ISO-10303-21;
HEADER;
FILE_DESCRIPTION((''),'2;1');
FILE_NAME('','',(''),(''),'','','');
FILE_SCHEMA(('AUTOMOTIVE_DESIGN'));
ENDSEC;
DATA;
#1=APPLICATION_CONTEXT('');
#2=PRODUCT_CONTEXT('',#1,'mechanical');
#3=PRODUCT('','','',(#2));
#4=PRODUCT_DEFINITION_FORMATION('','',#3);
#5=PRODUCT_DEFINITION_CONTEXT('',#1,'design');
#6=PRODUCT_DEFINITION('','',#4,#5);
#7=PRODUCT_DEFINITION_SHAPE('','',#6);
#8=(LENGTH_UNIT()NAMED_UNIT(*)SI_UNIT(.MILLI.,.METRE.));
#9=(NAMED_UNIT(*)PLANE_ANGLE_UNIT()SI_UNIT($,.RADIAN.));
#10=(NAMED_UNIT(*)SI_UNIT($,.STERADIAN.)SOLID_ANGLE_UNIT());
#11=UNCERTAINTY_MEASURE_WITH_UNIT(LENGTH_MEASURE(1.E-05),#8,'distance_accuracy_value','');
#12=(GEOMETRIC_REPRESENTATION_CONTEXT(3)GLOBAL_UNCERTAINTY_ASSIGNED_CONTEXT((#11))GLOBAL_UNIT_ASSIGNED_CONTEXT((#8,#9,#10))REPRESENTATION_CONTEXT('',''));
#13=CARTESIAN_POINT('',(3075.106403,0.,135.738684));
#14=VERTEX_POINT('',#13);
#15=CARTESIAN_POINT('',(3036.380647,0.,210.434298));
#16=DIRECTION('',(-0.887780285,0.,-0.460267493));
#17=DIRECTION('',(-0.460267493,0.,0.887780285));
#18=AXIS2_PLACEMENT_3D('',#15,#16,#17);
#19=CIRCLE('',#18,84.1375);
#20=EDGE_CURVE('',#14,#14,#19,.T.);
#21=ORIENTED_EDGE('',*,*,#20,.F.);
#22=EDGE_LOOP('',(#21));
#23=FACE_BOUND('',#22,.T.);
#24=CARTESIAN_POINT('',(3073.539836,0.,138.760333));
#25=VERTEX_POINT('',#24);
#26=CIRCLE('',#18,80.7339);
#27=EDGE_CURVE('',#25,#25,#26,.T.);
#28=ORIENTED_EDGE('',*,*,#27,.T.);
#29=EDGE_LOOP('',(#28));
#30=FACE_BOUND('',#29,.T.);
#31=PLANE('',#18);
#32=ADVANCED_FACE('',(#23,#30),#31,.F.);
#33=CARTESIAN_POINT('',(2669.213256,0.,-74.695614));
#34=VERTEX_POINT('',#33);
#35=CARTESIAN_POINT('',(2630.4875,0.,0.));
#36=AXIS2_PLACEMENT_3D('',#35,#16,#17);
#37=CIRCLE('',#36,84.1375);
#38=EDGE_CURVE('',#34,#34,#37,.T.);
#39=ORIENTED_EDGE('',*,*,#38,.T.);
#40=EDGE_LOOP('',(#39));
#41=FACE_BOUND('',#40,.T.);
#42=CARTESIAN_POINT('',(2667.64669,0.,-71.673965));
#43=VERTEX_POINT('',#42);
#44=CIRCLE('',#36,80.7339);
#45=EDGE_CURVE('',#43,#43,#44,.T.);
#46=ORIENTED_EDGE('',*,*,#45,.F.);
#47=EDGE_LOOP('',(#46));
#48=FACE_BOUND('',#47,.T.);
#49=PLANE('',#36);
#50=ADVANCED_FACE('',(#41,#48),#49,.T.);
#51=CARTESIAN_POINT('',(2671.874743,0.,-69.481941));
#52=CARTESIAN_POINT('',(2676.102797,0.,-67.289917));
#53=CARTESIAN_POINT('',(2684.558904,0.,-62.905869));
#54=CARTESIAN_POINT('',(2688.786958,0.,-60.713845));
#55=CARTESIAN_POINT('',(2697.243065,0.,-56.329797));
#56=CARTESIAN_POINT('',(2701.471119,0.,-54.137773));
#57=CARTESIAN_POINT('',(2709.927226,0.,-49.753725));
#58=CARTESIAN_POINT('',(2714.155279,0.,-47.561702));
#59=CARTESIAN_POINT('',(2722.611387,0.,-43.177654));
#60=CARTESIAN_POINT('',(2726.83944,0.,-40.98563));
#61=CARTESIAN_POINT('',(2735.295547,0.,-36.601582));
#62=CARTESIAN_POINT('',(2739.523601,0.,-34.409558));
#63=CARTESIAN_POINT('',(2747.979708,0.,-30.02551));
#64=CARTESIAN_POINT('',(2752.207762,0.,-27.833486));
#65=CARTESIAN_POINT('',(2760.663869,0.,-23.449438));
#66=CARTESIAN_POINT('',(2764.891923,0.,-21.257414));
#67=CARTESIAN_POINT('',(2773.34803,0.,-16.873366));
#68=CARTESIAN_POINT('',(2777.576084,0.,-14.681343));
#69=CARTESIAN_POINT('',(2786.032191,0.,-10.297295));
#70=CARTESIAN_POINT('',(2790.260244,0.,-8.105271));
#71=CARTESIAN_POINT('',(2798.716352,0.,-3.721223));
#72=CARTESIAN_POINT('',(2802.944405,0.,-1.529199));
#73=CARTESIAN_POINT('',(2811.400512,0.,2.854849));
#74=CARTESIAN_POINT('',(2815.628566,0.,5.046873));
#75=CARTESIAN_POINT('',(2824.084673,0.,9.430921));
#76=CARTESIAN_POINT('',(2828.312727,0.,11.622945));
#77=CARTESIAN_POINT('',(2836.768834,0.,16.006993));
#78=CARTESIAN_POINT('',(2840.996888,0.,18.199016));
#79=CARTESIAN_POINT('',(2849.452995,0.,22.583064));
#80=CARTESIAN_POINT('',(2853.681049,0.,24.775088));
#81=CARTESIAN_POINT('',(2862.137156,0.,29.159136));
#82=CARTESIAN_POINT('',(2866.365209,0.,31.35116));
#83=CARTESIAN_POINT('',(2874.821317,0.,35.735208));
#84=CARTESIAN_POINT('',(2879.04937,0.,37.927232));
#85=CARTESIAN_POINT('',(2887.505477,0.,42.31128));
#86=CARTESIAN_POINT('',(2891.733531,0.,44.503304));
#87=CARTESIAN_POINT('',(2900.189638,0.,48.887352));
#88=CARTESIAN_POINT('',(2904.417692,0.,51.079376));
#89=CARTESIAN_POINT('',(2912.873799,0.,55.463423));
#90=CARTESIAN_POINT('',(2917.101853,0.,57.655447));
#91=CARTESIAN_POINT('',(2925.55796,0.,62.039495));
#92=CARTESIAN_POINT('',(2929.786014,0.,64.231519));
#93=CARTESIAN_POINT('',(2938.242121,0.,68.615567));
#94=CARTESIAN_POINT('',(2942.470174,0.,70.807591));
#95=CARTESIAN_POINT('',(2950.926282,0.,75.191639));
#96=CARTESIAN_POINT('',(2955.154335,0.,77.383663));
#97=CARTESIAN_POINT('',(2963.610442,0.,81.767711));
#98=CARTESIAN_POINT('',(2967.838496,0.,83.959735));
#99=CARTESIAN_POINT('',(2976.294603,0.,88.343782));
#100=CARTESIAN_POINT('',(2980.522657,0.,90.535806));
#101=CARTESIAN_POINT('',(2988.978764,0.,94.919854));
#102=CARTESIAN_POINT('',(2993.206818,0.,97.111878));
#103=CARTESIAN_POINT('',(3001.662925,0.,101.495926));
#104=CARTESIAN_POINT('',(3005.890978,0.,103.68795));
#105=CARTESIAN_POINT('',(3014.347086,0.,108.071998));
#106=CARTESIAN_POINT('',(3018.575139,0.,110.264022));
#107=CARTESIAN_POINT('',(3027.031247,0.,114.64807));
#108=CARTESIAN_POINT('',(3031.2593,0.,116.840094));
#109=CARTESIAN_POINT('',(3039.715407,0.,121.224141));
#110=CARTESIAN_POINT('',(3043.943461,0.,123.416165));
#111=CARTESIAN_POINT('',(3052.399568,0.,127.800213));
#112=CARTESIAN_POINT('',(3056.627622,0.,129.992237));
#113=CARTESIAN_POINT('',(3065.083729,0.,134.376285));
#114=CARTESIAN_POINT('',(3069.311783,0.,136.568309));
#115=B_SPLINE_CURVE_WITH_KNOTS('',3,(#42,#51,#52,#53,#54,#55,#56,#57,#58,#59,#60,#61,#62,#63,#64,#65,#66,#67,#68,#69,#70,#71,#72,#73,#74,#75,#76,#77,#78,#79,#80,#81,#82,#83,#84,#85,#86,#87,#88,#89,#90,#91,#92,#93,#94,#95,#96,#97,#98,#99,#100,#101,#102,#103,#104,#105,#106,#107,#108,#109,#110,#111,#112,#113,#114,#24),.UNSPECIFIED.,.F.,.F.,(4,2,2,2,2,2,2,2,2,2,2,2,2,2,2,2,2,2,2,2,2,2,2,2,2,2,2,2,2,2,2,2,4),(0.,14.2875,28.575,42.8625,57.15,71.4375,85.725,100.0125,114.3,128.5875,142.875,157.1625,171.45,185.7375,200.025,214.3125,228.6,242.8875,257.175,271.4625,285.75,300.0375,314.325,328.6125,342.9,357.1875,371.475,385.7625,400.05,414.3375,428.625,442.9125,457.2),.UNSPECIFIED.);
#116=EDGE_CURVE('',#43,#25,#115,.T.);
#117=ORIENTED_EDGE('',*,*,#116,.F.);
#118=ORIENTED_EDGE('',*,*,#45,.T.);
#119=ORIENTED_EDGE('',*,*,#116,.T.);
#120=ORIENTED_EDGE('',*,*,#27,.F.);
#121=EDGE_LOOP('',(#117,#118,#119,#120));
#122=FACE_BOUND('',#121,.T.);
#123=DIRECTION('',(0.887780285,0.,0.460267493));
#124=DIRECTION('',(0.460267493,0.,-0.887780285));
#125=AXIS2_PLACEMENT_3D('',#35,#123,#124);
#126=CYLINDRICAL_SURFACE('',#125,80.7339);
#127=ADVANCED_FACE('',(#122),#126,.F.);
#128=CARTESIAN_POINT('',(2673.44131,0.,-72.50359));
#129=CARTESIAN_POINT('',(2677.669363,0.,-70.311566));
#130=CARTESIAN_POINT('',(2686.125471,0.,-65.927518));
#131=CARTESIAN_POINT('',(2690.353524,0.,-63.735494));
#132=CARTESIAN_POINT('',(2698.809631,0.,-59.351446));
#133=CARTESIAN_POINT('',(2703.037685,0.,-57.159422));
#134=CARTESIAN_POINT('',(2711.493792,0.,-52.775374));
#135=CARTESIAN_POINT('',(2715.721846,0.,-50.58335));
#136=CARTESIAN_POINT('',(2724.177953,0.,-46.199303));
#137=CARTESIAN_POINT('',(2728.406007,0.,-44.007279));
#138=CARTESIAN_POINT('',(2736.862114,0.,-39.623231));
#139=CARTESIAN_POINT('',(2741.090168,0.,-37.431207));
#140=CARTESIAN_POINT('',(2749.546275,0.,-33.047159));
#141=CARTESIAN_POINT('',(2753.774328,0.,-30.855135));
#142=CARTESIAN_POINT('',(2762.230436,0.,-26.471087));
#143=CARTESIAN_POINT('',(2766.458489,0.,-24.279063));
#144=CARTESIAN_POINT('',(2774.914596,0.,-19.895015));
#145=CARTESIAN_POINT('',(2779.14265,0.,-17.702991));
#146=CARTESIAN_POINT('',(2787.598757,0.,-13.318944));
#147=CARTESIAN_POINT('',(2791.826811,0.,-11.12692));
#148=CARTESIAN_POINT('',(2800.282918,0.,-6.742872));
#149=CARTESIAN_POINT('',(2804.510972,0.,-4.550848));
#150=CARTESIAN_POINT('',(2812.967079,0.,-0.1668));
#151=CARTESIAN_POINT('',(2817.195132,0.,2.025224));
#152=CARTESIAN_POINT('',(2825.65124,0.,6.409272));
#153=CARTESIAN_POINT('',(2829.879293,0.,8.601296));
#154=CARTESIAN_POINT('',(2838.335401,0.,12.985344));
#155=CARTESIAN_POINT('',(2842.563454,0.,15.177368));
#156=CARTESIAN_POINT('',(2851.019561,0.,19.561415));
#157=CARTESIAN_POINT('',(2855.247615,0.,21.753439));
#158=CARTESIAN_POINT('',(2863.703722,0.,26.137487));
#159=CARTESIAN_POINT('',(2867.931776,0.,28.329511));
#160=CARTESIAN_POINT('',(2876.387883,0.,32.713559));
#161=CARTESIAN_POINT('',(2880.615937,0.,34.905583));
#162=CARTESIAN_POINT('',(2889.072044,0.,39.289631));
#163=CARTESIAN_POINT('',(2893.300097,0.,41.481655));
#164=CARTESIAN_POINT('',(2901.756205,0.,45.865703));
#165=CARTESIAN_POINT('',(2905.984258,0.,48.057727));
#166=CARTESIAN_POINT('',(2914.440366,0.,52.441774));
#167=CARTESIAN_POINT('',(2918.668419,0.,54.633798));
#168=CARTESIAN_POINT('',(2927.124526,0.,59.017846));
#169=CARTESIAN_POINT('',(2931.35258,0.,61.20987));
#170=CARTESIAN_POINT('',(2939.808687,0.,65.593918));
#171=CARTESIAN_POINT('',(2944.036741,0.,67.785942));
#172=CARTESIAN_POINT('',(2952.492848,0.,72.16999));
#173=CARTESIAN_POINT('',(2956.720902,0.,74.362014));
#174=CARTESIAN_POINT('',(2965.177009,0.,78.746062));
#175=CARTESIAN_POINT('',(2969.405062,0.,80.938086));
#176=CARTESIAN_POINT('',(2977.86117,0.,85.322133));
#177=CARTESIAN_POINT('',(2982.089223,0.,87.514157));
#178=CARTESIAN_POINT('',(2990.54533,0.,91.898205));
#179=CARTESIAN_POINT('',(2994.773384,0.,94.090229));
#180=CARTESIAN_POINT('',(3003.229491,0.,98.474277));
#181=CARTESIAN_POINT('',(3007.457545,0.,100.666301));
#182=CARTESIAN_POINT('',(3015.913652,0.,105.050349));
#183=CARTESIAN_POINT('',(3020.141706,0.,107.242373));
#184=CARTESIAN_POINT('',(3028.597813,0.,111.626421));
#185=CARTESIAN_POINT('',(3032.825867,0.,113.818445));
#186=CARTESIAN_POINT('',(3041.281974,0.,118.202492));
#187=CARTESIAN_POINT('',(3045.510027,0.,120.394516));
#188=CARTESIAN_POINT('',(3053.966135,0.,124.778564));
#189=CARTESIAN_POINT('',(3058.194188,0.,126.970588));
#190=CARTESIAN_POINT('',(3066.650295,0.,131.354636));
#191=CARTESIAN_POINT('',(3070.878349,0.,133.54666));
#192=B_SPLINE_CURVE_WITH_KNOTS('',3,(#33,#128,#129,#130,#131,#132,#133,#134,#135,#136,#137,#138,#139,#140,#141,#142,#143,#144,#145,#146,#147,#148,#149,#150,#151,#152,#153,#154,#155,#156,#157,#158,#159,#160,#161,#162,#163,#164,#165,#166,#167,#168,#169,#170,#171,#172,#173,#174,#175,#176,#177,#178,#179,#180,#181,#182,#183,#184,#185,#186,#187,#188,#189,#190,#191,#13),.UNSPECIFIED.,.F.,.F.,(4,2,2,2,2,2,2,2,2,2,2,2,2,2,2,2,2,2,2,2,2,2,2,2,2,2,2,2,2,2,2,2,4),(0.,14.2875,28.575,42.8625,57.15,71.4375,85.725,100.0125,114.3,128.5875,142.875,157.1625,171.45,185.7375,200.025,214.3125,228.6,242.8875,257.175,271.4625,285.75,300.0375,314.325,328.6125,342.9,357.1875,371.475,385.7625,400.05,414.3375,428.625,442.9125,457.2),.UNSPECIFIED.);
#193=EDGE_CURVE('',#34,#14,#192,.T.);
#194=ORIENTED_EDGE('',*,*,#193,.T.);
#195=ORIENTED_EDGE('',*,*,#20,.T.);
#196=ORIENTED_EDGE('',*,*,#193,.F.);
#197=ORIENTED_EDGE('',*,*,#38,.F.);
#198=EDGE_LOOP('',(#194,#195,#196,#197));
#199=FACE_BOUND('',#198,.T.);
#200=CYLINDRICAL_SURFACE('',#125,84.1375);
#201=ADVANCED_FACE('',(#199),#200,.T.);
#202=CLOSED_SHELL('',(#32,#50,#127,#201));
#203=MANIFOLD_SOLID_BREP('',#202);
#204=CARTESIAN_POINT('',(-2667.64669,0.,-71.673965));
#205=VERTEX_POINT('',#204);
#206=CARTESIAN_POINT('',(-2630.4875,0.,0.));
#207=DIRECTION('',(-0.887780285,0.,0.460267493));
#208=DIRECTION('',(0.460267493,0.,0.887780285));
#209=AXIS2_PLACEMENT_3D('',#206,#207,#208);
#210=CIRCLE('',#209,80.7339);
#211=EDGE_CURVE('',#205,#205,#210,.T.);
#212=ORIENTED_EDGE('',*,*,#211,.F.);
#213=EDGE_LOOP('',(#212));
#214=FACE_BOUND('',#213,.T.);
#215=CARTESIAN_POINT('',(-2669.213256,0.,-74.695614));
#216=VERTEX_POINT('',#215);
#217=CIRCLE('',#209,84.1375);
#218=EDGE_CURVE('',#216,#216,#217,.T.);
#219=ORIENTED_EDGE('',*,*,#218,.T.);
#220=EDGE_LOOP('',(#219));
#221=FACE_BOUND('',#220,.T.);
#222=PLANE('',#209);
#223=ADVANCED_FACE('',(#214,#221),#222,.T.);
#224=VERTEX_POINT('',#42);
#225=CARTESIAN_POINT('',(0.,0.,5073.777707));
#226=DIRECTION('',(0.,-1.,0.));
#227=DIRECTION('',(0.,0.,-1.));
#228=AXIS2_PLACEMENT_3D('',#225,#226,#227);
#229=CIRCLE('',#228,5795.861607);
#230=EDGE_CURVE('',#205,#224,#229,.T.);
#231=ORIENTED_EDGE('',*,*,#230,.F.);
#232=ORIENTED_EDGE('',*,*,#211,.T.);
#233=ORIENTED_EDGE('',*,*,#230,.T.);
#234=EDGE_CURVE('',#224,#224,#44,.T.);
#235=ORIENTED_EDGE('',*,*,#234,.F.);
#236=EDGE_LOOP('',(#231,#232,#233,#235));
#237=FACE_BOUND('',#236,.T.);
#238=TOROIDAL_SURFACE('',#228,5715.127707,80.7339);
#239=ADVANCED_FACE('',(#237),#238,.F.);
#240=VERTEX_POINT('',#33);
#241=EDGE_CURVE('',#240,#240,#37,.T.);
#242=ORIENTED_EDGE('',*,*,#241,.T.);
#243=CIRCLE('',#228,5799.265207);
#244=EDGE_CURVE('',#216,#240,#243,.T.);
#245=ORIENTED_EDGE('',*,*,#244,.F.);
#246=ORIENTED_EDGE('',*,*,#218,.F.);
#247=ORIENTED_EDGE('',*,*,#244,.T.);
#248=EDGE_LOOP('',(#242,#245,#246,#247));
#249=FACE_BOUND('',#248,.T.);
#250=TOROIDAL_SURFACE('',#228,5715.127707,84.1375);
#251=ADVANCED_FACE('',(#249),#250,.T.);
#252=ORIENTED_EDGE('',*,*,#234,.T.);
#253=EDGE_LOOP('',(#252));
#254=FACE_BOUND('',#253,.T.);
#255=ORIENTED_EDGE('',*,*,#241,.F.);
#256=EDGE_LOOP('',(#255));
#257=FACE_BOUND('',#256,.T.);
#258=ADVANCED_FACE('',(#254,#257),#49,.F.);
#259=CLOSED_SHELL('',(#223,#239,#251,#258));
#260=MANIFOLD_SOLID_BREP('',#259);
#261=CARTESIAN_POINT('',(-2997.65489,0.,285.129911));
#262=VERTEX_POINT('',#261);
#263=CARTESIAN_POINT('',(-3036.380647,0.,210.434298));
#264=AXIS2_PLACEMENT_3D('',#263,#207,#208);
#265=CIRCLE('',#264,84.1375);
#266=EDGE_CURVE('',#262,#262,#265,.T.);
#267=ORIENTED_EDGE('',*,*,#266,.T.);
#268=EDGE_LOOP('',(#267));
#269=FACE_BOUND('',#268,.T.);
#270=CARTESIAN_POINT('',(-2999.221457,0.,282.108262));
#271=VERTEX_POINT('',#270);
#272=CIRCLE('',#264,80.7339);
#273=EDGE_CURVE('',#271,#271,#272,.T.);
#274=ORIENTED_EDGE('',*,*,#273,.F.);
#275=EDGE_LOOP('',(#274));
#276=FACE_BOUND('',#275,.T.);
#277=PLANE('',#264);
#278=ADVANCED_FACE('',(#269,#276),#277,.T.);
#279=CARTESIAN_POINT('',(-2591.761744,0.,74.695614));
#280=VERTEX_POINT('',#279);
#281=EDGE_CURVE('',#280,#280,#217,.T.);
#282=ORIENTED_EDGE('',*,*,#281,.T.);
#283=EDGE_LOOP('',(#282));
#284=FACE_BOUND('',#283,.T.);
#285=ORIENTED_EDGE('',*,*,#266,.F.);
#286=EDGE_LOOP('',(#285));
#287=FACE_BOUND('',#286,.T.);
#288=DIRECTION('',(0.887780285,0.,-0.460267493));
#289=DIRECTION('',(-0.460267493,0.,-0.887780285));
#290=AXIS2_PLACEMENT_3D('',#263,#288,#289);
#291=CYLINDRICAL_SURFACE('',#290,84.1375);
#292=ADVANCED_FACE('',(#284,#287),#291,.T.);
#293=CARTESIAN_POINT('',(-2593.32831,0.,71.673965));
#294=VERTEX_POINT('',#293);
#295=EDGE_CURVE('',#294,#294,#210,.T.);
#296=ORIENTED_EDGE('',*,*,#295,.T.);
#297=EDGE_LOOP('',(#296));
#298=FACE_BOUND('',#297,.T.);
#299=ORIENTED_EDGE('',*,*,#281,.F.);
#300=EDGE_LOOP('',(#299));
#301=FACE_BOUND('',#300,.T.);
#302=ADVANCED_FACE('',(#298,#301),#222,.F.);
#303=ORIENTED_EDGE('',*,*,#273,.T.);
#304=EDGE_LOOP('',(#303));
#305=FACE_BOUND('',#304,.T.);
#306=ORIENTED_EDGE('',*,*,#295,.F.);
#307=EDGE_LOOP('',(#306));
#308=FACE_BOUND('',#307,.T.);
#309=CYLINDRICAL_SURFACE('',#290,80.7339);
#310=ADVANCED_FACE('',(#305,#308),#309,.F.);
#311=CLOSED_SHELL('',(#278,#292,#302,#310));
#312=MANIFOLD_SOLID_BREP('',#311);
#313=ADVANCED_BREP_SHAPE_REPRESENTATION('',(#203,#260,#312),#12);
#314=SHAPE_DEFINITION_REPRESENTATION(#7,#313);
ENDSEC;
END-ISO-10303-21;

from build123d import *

# Parameters (mm, degrees)
SKETCH12_R                 = 84.1375
SKETCH12_R_2               = 80.7339
STRUCTURAL_MEMBER1_DEPTH   = 457.2
SKETCH12_ON_SEGMENT_2_R    = 84.1375
SKETCH12_ON_SEGMENT_2_R_2  = 80.7339
STRUCTURAL_MEMBER1_2_ANGLE = 54.80873932
SKETCH12_ON_SEGMENT_3_R    = 84.1375
SKETCH12_ON_SEGMENT_3_R_2  = 80.7339
STRUCTURAL_MEMBER1_3_DEPTH = 457.2


with BuildPart() as part:
    # Sketch12 → Structural Member1 (new body)
    with BuildSketch(Plane(origin=(2630.4875, 0, 0), x_dir=(-0.4602674926474758, 0, 0.8877802854377911), z_dir=(-0.8877802854377911, 0, -0.4602674926474758))):
        Circle(SKETCH12_R)
        Circle(SKETCH12_R_2, mode=Mode.SUBTRACT)
    extrude(amount=-STRUCTURAL_MEMBER1_DEPTH)


with BuildPart() as body_2:
    # Sketch12 on segment 2 (carried to the start of arc 2) → Structural Member1 2 (revolve)
    with BuildSketch(Plane(origin=(2630.4875, 0, 0), x_dir=(0.460267493, 0, -0.887780285), z_dir=(0.887780285, 0, 0.460267493))):
        Circle(SKETCH12_ON_SEGMENT_2_R)
        Circle(SKETCH12_ON_SEGMENT_2_R_2, mode=Mode.SUBTRACT)
    revolve(axis=Axis((0, 0, 5073.777707302), (0, 1, 0)), revolution_arc=STRUCTURAL_MEMBER1_2_ANGLE)


with BuildPart() as body_3:
    # Sketch12 on segment 3 (carried to segment 3) → Structural Member1 3 (new body)
    with BuildSketch(Plane(origin=(-3036.380646502, 0, 210.434297638), x_dir=(-0.460267493, 0, -0.887780285), z_dir=(0.887780285, 0, -0.460267493))):
        Circle(SKETCH12_ON_SEGMENT_3_R)
        Circle(SKETCH12_ON_SEGMENT_3_R_2, mode=Mode.SUBTRACT)
    extrude(amount=STRUCTURAL_MEMBER1_3_DEPTH)


solid = Compound([part.part, body_2.part, body_3.part])
